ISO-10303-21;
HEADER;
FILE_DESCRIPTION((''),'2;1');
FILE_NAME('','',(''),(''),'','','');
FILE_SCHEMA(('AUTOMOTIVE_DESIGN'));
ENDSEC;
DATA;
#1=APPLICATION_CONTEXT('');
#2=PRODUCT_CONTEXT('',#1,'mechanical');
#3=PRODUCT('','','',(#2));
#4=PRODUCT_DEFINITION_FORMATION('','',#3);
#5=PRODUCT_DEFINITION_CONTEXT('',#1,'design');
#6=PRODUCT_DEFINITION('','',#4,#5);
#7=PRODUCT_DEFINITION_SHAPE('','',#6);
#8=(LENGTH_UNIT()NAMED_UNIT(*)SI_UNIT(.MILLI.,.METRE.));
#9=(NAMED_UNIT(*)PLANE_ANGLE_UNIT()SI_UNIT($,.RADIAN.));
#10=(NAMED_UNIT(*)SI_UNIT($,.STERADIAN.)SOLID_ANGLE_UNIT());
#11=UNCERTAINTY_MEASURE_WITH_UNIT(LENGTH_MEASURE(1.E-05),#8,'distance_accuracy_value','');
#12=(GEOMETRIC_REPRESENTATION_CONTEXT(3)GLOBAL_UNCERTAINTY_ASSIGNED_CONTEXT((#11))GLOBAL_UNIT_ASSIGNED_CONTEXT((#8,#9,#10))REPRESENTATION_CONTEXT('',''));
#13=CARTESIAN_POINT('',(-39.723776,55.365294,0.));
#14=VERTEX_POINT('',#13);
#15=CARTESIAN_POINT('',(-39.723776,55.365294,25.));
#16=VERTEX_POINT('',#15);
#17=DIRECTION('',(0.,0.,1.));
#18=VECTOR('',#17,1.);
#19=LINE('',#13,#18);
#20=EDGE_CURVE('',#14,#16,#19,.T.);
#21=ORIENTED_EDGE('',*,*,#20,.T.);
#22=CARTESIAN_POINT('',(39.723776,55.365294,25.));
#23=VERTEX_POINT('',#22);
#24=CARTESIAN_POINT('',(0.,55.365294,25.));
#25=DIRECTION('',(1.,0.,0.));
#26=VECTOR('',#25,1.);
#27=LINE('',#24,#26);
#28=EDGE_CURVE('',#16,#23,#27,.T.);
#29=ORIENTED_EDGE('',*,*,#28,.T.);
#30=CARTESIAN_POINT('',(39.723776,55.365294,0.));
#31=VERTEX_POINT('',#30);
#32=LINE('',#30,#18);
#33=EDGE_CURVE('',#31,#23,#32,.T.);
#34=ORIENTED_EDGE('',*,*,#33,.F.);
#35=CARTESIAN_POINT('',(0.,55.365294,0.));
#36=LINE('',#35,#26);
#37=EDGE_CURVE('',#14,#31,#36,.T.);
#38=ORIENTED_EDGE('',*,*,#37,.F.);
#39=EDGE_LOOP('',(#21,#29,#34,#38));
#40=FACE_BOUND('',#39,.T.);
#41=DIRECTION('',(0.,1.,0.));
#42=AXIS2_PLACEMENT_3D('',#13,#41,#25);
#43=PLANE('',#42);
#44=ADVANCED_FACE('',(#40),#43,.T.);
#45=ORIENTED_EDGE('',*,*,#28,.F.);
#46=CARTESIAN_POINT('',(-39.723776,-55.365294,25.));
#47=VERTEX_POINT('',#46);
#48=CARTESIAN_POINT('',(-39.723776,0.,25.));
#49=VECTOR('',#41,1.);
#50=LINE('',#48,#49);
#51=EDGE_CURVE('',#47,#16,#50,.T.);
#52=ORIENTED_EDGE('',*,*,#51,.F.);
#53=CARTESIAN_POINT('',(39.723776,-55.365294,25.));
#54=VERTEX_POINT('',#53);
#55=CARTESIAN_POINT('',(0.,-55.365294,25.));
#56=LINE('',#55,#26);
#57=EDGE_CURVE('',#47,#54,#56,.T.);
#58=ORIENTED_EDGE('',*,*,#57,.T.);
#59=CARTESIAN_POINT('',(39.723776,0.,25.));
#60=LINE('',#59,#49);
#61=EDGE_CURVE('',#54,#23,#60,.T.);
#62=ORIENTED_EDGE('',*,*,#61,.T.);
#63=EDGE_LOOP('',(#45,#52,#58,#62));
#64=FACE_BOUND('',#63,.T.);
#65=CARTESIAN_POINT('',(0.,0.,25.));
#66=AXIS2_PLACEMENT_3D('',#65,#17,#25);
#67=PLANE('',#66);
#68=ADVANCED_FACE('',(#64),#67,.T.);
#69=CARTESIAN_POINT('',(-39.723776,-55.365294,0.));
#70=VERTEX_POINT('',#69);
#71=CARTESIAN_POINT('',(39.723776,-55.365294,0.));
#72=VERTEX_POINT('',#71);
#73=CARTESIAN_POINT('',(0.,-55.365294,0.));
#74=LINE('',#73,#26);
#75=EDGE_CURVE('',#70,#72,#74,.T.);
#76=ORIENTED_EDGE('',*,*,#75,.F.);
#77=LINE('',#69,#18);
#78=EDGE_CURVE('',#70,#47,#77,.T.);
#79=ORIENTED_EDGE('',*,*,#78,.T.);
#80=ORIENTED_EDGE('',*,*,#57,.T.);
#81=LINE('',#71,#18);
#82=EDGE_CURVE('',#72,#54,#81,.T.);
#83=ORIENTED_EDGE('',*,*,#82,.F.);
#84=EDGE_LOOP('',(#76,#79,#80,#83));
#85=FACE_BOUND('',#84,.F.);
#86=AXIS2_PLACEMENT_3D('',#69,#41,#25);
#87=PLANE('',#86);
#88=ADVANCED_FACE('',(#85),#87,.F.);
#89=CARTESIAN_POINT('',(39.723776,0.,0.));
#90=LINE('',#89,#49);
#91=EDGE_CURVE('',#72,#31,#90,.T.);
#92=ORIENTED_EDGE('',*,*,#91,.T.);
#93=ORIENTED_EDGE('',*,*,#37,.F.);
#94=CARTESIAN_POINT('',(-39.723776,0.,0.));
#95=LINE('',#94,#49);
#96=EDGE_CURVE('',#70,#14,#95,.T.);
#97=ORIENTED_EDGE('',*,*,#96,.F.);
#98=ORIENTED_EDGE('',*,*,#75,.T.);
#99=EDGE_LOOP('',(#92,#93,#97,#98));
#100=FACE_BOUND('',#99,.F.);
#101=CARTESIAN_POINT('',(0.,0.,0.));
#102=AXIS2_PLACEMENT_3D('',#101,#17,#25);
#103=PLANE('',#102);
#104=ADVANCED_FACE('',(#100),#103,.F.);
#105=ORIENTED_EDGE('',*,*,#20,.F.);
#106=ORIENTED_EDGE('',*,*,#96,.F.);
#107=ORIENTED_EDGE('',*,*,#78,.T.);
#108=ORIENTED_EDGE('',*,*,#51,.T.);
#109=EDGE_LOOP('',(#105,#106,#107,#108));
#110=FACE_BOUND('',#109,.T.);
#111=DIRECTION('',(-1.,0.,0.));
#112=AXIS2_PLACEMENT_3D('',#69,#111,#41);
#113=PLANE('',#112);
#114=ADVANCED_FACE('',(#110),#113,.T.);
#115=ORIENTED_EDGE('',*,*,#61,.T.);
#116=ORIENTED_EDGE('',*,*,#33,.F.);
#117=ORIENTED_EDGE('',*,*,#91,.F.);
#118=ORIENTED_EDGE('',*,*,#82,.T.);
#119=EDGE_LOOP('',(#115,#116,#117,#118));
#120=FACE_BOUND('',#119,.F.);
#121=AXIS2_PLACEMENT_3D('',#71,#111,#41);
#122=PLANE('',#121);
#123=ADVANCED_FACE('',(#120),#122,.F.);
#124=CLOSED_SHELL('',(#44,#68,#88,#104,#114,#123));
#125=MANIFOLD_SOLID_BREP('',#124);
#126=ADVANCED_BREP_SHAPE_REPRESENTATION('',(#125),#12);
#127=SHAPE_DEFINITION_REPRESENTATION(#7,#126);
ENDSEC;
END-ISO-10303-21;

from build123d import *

# Parameters (mm, degrees)
F0_W     = 79.447552
F0_H     = 110.730588
F1_DEPTH = 25
F2_R     = 14.583541
F2_R_2   = 3.745805
F3_DEPTH = 25


with BuildPart() as f1:
    # F0 (on Top) → F1 (new body)
    with BuildSketch(Plane.XY):
        Rectangle(F0_W, F0_H)
    extrude(amount=F1_DEPTH)

    # F2 (on face) → F3 (join)
    with BuildSketch(Plane.XY.offset(25)):
        Circle(F2_R)
        Circle(F2_R_2, mode=Mode.SUBTRACT)
    extrude(amount=-F3_DEPTH)


solid = f1.part
